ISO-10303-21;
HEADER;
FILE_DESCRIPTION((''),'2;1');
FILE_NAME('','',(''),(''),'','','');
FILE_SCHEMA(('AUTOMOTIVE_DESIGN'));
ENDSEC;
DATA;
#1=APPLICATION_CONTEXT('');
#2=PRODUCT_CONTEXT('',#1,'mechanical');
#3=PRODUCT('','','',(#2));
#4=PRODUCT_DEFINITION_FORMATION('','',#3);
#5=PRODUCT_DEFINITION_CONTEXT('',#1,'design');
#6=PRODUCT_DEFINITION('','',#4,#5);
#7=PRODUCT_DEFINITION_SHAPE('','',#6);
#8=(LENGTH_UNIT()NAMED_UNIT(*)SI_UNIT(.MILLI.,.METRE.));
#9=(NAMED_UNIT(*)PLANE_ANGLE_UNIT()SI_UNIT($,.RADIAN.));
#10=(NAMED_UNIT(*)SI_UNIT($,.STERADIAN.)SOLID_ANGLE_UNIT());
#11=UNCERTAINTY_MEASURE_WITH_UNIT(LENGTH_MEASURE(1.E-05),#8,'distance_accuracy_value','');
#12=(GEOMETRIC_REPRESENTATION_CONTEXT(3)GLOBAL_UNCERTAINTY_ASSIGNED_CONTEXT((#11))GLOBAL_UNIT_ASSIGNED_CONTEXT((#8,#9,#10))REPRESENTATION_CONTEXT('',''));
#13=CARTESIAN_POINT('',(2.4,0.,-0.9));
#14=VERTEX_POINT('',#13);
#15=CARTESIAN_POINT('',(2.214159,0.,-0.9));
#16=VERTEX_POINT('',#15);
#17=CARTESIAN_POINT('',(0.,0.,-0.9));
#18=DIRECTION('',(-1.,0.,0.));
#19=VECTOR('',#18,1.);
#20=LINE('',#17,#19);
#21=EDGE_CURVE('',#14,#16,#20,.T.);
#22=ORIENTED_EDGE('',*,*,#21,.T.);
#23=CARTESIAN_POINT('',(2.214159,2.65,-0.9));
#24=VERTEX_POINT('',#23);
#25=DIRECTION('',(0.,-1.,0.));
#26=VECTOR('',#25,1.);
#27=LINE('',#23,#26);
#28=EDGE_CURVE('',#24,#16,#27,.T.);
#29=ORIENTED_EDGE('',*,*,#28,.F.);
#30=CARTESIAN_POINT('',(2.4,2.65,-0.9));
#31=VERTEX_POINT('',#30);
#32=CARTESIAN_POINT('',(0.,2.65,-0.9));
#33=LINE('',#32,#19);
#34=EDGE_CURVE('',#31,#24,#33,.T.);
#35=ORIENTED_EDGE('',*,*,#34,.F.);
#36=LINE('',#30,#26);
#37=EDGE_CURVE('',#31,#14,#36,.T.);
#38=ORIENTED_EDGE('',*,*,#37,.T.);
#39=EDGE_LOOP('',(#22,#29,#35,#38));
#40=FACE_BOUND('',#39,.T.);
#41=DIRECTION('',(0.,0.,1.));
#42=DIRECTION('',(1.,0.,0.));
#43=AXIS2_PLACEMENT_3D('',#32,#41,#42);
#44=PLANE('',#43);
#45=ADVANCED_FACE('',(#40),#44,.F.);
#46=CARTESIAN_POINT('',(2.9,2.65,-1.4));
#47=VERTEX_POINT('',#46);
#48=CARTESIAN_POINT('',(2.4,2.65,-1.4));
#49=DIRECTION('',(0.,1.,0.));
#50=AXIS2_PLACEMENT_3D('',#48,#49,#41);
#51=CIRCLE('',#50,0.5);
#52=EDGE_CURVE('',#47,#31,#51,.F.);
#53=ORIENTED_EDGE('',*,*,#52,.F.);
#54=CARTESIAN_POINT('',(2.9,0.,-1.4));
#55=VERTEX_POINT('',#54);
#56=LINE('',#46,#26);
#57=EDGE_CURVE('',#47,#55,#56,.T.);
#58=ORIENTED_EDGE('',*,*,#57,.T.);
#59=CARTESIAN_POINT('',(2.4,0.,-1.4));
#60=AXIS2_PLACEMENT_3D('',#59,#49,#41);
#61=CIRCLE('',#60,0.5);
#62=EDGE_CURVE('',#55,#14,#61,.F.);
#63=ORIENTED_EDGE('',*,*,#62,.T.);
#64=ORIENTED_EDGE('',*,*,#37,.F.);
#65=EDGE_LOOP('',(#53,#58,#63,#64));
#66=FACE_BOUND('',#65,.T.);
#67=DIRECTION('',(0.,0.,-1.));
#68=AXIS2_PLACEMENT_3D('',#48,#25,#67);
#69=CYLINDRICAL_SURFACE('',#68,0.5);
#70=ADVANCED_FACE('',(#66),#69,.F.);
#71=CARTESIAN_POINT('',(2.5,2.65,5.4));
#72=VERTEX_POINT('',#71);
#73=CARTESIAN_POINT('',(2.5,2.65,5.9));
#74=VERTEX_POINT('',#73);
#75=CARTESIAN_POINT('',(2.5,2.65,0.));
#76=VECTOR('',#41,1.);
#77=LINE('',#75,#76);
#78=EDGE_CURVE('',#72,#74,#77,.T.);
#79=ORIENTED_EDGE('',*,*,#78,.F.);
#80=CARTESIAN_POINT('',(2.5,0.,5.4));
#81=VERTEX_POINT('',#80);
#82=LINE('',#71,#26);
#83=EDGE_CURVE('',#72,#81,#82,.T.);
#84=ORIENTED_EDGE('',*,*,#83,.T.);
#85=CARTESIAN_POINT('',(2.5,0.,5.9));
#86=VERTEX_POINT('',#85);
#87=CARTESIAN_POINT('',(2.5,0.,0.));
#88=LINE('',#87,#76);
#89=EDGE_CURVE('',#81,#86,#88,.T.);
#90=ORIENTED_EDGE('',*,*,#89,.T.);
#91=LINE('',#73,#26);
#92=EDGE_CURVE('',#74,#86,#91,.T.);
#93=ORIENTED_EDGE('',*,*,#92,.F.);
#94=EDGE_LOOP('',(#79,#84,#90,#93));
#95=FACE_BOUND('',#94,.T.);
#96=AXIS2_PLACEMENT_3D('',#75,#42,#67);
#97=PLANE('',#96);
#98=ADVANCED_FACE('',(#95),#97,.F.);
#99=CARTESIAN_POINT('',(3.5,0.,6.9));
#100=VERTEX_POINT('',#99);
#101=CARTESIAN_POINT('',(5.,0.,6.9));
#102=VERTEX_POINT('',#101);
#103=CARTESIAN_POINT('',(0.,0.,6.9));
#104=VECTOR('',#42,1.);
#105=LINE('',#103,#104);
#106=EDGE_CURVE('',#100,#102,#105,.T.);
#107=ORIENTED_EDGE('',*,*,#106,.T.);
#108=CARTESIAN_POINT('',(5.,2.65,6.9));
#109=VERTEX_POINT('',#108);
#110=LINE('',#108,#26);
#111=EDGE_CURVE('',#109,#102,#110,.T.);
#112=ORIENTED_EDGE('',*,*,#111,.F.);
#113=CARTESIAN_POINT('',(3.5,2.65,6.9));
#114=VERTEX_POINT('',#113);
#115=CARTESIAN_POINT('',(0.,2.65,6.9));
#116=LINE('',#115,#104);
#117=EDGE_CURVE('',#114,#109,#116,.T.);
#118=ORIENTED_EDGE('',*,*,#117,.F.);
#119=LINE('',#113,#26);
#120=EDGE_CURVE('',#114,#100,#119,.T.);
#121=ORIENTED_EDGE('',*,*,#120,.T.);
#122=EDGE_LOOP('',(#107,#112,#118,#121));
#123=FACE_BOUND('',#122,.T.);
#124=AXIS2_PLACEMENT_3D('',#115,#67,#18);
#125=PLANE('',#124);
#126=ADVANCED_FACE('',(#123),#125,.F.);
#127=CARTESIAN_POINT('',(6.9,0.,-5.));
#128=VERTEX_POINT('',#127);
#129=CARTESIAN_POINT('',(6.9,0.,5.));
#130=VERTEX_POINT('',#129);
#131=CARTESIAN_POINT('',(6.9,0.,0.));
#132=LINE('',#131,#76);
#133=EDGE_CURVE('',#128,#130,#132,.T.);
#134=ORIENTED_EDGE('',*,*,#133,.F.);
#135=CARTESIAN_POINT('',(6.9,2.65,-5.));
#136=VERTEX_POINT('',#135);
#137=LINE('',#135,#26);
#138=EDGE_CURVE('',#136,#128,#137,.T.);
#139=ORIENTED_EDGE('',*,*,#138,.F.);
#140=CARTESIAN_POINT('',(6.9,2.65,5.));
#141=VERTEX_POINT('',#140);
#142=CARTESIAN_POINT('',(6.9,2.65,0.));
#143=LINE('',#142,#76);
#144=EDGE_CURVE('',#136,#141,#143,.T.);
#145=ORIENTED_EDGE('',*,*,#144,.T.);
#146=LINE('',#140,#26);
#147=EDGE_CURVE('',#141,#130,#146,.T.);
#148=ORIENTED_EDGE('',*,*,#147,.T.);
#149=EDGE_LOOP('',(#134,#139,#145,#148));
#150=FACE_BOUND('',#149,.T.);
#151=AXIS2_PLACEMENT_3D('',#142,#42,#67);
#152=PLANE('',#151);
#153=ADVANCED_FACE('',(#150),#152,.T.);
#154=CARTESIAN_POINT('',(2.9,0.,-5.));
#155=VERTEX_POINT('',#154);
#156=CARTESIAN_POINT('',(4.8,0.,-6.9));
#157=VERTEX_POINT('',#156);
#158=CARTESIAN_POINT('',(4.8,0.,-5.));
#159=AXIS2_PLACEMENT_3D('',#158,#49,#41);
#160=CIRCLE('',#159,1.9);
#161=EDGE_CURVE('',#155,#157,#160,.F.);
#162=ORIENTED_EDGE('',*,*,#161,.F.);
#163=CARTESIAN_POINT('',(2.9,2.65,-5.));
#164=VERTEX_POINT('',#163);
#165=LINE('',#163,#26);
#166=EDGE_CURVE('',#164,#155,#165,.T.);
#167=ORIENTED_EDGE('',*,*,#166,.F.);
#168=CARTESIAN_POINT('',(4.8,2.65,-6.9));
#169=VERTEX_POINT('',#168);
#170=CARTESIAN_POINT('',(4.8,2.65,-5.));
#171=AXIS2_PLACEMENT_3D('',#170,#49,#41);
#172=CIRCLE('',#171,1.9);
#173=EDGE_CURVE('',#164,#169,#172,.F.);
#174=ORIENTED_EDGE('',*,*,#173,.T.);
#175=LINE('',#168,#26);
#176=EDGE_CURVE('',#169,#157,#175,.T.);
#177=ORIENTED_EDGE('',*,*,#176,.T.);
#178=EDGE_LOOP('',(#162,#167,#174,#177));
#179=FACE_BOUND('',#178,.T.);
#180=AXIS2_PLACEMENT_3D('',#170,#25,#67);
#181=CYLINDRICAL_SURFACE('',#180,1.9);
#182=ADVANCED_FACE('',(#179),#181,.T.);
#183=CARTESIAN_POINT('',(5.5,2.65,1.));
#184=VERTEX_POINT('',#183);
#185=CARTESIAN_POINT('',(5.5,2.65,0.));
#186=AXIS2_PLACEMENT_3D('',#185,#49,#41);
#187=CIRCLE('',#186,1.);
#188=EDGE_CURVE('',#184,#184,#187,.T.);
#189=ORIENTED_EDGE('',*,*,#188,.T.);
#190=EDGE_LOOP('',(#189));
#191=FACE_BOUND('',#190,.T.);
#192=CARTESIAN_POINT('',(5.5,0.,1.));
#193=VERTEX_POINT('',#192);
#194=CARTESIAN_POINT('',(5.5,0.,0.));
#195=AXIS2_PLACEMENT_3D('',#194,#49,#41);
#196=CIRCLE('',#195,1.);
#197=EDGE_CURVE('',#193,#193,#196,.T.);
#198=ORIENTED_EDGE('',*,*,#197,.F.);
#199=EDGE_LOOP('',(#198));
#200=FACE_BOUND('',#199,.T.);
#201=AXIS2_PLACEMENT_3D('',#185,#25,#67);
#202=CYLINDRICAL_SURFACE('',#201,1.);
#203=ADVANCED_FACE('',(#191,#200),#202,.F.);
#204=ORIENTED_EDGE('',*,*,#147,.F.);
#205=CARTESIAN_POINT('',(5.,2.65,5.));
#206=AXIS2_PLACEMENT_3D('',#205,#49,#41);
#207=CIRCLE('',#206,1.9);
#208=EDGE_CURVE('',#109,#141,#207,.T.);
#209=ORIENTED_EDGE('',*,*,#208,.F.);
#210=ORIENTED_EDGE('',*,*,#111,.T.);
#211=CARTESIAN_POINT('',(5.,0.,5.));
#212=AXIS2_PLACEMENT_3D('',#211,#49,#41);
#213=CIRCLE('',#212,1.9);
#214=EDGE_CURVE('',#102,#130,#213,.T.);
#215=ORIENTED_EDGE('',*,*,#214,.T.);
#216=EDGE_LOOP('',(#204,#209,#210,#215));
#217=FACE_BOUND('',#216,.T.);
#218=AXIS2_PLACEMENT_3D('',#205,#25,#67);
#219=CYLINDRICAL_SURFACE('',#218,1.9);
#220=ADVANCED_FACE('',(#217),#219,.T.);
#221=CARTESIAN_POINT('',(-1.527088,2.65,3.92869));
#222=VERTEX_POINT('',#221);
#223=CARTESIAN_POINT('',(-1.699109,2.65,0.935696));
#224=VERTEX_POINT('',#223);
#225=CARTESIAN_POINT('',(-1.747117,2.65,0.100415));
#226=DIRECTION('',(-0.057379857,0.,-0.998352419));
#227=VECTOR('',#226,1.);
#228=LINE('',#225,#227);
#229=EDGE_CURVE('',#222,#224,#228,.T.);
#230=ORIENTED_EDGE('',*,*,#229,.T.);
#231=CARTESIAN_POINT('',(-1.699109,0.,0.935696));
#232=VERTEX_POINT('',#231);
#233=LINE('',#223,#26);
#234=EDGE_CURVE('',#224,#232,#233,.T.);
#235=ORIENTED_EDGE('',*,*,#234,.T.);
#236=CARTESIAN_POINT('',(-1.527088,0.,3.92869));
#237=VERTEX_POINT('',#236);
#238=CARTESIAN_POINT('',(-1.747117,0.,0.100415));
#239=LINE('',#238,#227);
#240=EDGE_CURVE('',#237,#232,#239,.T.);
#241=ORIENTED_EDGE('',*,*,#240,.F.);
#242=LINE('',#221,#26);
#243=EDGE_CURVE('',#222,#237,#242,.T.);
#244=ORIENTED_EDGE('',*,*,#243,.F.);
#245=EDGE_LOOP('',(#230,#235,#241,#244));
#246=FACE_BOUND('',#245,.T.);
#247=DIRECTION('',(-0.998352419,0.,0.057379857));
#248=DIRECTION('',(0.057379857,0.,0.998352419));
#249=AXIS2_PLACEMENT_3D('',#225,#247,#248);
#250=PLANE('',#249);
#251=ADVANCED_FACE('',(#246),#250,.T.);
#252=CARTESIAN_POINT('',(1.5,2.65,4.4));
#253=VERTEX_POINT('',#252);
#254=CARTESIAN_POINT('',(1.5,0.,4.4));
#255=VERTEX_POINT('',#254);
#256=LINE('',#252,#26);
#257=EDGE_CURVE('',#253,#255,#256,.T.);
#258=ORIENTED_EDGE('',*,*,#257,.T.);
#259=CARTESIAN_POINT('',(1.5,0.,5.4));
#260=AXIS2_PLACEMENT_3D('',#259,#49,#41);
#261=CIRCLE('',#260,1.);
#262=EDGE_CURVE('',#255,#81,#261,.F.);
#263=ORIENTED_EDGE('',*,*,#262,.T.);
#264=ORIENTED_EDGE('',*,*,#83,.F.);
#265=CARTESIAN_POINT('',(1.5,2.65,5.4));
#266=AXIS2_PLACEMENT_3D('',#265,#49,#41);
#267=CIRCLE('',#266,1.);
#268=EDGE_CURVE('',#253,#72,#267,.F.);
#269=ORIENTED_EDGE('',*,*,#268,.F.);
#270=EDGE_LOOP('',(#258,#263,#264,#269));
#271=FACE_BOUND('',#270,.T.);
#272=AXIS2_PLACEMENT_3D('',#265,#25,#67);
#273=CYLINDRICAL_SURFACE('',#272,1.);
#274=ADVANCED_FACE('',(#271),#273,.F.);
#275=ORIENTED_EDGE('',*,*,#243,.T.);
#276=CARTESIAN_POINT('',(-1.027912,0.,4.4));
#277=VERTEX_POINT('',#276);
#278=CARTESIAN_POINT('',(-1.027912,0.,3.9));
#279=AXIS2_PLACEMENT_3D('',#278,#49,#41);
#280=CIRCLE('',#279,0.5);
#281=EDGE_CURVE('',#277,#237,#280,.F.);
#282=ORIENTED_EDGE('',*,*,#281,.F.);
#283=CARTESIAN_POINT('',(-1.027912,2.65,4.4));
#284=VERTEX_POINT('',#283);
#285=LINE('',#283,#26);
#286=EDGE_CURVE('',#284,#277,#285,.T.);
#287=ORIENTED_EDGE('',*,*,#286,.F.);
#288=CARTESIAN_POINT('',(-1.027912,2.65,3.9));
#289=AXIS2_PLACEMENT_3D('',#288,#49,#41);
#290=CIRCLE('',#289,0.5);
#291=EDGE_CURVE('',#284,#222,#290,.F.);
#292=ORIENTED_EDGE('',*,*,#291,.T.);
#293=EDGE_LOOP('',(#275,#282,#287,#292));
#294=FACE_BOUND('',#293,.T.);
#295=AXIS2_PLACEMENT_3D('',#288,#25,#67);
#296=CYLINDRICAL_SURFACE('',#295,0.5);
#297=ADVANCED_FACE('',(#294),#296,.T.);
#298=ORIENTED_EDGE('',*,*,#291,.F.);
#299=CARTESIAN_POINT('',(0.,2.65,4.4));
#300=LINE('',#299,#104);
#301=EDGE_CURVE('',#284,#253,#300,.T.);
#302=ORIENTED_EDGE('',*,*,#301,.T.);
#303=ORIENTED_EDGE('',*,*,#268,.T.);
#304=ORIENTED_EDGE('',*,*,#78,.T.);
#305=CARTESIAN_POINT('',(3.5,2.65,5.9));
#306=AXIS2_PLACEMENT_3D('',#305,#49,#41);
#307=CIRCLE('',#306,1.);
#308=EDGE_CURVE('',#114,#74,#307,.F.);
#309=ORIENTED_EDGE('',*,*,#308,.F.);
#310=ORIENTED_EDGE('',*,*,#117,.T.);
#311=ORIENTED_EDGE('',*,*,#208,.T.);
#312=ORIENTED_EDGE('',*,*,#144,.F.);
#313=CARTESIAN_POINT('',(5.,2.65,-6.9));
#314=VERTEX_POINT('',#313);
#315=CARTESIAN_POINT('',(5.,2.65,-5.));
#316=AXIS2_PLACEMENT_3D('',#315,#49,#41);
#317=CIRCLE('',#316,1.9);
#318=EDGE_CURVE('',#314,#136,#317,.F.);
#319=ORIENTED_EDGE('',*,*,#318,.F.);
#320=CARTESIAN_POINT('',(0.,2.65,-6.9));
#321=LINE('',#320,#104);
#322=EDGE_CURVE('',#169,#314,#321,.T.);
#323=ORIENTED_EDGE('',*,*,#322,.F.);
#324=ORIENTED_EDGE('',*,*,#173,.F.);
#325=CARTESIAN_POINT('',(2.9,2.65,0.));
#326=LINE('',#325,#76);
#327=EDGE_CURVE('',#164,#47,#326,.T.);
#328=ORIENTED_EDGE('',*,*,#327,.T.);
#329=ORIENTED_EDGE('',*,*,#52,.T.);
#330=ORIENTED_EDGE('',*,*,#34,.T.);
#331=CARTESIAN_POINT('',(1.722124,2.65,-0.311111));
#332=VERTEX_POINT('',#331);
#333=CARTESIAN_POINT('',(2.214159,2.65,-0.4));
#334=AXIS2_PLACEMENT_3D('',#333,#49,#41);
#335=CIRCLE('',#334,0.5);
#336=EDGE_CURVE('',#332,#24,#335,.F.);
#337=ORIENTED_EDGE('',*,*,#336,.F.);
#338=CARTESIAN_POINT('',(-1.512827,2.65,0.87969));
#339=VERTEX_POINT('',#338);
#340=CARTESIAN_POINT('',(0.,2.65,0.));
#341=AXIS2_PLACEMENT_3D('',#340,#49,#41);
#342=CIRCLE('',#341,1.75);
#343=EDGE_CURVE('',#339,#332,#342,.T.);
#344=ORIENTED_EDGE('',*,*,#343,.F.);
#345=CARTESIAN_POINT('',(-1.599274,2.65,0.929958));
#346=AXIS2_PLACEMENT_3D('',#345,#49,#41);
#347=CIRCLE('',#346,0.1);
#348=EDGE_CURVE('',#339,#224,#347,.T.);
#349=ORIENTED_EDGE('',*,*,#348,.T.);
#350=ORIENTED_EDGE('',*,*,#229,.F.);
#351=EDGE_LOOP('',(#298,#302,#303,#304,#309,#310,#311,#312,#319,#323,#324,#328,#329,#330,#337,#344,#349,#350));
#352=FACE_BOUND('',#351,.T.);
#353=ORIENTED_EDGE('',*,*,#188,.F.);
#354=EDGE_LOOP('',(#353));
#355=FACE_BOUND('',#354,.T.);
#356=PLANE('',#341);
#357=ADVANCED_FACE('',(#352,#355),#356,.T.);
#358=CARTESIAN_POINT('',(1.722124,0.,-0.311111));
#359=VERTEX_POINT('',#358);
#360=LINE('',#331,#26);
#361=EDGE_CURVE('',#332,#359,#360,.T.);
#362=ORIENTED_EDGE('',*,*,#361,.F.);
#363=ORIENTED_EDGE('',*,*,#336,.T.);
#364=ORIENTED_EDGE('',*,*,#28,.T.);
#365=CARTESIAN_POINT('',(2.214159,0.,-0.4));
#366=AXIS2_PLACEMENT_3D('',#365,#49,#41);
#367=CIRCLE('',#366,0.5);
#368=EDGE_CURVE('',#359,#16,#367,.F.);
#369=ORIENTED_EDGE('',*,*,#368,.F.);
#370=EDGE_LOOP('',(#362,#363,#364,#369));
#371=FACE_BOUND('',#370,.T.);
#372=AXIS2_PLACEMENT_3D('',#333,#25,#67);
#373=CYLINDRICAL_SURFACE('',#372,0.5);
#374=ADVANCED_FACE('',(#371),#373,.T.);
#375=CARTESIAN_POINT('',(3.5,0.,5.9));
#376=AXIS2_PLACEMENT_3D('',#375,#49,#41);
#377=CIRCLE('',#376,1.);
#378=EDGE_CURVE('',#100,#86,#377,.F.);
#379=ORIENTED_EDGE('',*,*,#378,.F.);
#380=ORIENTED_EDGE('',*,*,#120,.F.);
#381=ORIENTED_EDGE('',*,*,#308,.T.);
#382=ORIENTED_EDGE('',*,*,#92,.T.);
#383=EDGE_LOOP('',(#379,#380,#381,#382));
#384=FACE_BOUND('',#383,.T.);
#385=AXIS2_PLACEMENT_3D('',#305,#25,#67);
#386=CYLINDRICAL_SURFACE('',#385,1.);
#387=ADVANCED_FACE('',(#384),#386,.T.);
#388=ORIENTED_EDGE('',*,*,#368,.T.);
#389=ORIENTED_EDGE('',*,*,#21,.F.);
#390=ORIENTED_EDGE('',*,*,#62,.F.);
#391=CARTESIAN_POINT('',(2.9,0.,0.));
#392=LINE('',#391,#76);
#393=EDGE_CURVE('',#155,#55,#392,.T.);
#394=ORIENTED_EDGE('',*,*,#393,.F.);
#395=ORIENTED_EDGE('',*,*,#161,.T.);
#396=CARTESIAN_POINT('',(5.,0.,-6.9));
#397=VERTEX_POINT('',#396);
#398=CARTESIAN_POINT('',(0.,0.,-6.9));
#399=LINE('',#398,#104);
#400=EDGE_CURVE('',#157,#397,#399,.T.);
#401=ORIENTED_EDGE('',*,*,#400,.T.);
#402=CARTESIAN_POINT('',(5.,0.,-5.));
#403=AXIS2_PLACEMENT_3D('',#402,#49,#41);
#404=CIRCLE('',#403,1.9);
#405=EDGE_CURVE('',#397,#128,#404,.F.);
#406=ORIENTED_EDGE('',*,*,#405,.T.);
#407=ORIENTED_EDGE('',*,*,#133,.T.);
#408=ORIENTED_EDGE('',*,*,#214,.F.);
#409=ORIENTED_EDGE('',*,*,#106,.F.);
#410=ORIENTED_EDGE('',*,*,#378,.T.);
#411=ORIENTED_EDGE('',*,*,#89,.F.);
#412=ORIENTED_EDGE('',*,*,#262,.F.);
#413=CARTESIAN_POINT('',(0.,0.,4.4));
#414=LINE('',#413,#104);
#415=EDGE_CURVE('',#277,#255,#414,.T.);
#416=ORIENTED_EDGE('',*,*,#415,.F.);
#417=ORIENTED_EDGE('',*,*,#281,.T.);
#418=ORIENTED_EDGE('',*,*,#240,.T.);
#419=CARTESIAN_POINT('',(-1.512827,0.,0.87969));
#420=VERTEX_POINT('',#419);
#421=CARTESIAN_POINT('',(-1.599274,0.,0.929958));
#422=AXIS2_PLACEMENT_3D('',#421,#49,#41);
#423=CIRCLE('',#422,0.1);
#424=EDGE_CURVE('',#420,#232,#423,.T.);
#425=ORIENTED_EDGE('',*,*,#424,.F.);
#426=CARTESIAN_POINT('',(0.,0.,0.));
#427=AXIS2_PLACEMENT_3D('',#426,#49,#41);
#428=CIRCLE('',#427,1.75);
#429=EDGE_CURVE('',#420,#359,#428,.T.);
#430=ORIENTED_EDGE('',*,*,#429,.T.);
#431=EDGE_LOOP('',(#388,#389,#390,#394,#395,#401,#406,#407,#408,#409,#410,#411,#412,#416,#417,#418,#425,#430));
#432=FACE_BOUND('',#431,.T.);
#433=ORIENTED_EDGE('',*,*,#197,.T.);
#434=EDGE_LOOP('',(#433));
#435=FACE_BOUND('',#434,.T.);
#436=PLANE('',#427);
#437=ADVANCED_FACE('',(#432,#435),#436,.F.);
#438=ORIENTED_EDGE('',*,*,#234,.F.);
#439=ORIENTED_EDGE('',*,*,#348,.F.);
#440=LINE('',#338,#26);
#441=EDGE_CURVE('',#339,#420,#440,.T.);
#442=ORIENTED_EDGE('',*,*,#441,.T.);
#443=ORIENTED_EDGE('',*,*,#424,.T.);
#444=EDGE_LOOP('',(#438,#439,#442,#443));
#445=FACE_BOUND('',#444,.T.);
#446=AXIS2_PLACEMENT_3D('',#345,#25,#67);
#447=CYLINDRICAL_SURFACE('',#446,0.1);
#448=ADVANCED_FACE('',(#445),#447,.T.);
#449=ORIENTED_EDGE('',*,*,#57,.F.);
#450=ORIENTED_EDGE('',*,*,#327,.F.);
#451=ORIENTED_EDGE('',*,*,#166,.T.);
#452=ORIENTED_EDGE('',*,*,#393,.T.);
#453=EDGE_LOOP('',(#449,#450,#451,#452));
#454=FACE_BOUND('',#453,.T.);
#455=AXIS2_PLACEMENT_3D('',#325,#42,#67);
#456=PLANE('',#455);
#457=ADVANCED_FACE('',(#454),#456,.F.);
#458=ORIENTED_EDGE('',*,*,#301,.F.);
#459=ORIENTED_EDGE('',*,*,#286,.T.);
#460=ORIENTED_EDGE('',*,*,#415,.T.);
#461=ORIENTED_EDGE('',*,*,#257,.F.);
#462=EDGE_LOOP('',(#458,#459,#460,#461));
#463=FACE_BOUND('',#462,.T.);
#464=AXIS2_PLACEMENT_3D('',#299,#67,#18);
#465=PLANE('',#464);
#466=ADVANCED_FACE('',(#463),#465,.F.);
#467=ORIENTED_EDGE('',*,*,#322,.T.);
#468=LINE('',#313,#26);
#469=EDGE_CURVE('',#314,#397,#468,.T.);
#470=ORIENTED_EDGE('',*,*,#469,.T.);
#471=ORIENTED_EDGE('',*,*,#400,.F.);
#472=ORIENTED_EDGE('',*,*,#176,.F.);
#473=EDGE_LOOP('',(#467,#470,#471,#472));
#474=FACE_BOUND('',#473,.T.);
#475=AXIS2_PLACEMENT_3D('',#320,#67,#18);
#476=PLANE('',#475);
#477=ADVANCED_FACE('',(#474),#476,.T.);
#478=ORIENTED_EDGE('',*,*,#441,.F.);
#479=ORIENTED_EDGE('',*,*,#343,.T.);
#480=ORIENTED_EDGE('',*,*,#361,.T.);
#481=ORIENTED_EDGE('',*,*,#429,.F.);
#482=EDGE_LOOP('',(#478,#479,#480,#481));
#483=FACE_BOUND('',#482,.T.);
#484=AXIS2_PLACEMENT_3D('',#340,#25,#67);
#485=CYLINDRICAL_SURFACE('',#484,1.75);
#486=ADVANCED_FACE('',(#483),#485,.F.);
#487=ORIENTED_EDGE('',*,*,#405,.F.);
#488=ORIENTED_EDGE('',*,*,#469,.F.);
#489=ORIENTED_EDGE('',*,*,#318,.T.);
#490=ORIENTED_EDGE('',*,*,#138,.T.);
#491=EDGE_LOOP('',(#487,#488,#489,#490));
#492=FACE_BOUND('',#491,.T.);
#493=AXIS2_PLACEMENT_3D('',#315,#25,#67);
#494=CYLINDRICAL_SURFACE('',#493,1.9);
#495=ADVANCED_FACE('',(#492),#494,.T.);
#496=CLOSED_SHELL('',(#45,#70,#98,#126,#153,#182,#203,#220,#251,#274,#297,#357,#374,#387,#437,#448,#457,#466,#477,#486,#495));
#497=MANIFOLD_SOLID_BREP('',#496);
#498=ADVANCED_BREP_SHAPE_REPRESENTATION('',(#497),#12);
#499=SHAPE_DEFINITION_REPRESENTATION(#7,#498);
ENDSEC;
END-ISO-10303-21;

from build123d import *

# Parameters (mm, degrees)
SKETCH1_R           = 1
BOSS_EXTRUDE1_DEPTH = 2.65


with BuildPart() as part:
    # Sketch1 → Boss-Extrude1 (new body)
    with BuildSketch(Plane(origin=(0, 0, 0), x_dir=(1, 0, 0), z_dir=(0, 1, 0))):
        with BuildLine():
            ThreePointArc((4.8, 6.9), (3.456497116, 6.343502884), (2.9, 5))
            Line((2.9, 5), (2.9, 1.4))
            ThreePointArc((2.9, 1.4), (2.753553391, 1.046446609), (2.4, 0.9))
            Line((2.4, 0.9), (2.214158983, 0.9))
            ThreePointArc((2.214158983, 0.9), (1.830463501, 0.720589734), (1.722123653, 0.311111111))
            ThreePointArc((1.722123653, 0.311111111), (0.604527333, -1.642268767), (-1.512826812, -0.879690308))
            ThreePointArc((-1.512826812, -0.879690308), (-1.628066031, -0.834192871), (-1.6991093, -0.935696311))
            Line((-1.6991093, -0.935696311), (-1.527088335, -3.928689929))
            ThreePointArc((-1.527088335, -3.928689929), (-1.371172257, -4.263555336), (-1.027912125, -4.4))
            Line((-1.027912125, -4.4), (1.5, -4.4))
            ThreePointArc((1.5, -4.4), (2.207106781, -4.692893219), (2.5, -5.4))
            Line((2.5, -5.4), (2.5, -5.9))
            ThreePointArc((2.5, -5.9), (2.792893219, -6.607106781), (3.5, -6.9))
            Line((3.5, -6.9), (5, -6.9))
            ThreePointArc((5, -6.9), (6.343502884, -6.343502884), (6.9, -5))
            Line((6.9, -5), (6.9, 5))
            ThreePointArc((6.9, 5), (6.343502884, 6.343502884), (5, 6.9))
            Line((5, 6.9), (4.8, 6.9))
        make_face()
        with Locations((5.5, 0)):
            Circle(SKETCH1_R, mode=Mode.SUBTRACT)
    extrude(amount=BOSS_EXTRUDE1_DEPTH)


solid = part.part
